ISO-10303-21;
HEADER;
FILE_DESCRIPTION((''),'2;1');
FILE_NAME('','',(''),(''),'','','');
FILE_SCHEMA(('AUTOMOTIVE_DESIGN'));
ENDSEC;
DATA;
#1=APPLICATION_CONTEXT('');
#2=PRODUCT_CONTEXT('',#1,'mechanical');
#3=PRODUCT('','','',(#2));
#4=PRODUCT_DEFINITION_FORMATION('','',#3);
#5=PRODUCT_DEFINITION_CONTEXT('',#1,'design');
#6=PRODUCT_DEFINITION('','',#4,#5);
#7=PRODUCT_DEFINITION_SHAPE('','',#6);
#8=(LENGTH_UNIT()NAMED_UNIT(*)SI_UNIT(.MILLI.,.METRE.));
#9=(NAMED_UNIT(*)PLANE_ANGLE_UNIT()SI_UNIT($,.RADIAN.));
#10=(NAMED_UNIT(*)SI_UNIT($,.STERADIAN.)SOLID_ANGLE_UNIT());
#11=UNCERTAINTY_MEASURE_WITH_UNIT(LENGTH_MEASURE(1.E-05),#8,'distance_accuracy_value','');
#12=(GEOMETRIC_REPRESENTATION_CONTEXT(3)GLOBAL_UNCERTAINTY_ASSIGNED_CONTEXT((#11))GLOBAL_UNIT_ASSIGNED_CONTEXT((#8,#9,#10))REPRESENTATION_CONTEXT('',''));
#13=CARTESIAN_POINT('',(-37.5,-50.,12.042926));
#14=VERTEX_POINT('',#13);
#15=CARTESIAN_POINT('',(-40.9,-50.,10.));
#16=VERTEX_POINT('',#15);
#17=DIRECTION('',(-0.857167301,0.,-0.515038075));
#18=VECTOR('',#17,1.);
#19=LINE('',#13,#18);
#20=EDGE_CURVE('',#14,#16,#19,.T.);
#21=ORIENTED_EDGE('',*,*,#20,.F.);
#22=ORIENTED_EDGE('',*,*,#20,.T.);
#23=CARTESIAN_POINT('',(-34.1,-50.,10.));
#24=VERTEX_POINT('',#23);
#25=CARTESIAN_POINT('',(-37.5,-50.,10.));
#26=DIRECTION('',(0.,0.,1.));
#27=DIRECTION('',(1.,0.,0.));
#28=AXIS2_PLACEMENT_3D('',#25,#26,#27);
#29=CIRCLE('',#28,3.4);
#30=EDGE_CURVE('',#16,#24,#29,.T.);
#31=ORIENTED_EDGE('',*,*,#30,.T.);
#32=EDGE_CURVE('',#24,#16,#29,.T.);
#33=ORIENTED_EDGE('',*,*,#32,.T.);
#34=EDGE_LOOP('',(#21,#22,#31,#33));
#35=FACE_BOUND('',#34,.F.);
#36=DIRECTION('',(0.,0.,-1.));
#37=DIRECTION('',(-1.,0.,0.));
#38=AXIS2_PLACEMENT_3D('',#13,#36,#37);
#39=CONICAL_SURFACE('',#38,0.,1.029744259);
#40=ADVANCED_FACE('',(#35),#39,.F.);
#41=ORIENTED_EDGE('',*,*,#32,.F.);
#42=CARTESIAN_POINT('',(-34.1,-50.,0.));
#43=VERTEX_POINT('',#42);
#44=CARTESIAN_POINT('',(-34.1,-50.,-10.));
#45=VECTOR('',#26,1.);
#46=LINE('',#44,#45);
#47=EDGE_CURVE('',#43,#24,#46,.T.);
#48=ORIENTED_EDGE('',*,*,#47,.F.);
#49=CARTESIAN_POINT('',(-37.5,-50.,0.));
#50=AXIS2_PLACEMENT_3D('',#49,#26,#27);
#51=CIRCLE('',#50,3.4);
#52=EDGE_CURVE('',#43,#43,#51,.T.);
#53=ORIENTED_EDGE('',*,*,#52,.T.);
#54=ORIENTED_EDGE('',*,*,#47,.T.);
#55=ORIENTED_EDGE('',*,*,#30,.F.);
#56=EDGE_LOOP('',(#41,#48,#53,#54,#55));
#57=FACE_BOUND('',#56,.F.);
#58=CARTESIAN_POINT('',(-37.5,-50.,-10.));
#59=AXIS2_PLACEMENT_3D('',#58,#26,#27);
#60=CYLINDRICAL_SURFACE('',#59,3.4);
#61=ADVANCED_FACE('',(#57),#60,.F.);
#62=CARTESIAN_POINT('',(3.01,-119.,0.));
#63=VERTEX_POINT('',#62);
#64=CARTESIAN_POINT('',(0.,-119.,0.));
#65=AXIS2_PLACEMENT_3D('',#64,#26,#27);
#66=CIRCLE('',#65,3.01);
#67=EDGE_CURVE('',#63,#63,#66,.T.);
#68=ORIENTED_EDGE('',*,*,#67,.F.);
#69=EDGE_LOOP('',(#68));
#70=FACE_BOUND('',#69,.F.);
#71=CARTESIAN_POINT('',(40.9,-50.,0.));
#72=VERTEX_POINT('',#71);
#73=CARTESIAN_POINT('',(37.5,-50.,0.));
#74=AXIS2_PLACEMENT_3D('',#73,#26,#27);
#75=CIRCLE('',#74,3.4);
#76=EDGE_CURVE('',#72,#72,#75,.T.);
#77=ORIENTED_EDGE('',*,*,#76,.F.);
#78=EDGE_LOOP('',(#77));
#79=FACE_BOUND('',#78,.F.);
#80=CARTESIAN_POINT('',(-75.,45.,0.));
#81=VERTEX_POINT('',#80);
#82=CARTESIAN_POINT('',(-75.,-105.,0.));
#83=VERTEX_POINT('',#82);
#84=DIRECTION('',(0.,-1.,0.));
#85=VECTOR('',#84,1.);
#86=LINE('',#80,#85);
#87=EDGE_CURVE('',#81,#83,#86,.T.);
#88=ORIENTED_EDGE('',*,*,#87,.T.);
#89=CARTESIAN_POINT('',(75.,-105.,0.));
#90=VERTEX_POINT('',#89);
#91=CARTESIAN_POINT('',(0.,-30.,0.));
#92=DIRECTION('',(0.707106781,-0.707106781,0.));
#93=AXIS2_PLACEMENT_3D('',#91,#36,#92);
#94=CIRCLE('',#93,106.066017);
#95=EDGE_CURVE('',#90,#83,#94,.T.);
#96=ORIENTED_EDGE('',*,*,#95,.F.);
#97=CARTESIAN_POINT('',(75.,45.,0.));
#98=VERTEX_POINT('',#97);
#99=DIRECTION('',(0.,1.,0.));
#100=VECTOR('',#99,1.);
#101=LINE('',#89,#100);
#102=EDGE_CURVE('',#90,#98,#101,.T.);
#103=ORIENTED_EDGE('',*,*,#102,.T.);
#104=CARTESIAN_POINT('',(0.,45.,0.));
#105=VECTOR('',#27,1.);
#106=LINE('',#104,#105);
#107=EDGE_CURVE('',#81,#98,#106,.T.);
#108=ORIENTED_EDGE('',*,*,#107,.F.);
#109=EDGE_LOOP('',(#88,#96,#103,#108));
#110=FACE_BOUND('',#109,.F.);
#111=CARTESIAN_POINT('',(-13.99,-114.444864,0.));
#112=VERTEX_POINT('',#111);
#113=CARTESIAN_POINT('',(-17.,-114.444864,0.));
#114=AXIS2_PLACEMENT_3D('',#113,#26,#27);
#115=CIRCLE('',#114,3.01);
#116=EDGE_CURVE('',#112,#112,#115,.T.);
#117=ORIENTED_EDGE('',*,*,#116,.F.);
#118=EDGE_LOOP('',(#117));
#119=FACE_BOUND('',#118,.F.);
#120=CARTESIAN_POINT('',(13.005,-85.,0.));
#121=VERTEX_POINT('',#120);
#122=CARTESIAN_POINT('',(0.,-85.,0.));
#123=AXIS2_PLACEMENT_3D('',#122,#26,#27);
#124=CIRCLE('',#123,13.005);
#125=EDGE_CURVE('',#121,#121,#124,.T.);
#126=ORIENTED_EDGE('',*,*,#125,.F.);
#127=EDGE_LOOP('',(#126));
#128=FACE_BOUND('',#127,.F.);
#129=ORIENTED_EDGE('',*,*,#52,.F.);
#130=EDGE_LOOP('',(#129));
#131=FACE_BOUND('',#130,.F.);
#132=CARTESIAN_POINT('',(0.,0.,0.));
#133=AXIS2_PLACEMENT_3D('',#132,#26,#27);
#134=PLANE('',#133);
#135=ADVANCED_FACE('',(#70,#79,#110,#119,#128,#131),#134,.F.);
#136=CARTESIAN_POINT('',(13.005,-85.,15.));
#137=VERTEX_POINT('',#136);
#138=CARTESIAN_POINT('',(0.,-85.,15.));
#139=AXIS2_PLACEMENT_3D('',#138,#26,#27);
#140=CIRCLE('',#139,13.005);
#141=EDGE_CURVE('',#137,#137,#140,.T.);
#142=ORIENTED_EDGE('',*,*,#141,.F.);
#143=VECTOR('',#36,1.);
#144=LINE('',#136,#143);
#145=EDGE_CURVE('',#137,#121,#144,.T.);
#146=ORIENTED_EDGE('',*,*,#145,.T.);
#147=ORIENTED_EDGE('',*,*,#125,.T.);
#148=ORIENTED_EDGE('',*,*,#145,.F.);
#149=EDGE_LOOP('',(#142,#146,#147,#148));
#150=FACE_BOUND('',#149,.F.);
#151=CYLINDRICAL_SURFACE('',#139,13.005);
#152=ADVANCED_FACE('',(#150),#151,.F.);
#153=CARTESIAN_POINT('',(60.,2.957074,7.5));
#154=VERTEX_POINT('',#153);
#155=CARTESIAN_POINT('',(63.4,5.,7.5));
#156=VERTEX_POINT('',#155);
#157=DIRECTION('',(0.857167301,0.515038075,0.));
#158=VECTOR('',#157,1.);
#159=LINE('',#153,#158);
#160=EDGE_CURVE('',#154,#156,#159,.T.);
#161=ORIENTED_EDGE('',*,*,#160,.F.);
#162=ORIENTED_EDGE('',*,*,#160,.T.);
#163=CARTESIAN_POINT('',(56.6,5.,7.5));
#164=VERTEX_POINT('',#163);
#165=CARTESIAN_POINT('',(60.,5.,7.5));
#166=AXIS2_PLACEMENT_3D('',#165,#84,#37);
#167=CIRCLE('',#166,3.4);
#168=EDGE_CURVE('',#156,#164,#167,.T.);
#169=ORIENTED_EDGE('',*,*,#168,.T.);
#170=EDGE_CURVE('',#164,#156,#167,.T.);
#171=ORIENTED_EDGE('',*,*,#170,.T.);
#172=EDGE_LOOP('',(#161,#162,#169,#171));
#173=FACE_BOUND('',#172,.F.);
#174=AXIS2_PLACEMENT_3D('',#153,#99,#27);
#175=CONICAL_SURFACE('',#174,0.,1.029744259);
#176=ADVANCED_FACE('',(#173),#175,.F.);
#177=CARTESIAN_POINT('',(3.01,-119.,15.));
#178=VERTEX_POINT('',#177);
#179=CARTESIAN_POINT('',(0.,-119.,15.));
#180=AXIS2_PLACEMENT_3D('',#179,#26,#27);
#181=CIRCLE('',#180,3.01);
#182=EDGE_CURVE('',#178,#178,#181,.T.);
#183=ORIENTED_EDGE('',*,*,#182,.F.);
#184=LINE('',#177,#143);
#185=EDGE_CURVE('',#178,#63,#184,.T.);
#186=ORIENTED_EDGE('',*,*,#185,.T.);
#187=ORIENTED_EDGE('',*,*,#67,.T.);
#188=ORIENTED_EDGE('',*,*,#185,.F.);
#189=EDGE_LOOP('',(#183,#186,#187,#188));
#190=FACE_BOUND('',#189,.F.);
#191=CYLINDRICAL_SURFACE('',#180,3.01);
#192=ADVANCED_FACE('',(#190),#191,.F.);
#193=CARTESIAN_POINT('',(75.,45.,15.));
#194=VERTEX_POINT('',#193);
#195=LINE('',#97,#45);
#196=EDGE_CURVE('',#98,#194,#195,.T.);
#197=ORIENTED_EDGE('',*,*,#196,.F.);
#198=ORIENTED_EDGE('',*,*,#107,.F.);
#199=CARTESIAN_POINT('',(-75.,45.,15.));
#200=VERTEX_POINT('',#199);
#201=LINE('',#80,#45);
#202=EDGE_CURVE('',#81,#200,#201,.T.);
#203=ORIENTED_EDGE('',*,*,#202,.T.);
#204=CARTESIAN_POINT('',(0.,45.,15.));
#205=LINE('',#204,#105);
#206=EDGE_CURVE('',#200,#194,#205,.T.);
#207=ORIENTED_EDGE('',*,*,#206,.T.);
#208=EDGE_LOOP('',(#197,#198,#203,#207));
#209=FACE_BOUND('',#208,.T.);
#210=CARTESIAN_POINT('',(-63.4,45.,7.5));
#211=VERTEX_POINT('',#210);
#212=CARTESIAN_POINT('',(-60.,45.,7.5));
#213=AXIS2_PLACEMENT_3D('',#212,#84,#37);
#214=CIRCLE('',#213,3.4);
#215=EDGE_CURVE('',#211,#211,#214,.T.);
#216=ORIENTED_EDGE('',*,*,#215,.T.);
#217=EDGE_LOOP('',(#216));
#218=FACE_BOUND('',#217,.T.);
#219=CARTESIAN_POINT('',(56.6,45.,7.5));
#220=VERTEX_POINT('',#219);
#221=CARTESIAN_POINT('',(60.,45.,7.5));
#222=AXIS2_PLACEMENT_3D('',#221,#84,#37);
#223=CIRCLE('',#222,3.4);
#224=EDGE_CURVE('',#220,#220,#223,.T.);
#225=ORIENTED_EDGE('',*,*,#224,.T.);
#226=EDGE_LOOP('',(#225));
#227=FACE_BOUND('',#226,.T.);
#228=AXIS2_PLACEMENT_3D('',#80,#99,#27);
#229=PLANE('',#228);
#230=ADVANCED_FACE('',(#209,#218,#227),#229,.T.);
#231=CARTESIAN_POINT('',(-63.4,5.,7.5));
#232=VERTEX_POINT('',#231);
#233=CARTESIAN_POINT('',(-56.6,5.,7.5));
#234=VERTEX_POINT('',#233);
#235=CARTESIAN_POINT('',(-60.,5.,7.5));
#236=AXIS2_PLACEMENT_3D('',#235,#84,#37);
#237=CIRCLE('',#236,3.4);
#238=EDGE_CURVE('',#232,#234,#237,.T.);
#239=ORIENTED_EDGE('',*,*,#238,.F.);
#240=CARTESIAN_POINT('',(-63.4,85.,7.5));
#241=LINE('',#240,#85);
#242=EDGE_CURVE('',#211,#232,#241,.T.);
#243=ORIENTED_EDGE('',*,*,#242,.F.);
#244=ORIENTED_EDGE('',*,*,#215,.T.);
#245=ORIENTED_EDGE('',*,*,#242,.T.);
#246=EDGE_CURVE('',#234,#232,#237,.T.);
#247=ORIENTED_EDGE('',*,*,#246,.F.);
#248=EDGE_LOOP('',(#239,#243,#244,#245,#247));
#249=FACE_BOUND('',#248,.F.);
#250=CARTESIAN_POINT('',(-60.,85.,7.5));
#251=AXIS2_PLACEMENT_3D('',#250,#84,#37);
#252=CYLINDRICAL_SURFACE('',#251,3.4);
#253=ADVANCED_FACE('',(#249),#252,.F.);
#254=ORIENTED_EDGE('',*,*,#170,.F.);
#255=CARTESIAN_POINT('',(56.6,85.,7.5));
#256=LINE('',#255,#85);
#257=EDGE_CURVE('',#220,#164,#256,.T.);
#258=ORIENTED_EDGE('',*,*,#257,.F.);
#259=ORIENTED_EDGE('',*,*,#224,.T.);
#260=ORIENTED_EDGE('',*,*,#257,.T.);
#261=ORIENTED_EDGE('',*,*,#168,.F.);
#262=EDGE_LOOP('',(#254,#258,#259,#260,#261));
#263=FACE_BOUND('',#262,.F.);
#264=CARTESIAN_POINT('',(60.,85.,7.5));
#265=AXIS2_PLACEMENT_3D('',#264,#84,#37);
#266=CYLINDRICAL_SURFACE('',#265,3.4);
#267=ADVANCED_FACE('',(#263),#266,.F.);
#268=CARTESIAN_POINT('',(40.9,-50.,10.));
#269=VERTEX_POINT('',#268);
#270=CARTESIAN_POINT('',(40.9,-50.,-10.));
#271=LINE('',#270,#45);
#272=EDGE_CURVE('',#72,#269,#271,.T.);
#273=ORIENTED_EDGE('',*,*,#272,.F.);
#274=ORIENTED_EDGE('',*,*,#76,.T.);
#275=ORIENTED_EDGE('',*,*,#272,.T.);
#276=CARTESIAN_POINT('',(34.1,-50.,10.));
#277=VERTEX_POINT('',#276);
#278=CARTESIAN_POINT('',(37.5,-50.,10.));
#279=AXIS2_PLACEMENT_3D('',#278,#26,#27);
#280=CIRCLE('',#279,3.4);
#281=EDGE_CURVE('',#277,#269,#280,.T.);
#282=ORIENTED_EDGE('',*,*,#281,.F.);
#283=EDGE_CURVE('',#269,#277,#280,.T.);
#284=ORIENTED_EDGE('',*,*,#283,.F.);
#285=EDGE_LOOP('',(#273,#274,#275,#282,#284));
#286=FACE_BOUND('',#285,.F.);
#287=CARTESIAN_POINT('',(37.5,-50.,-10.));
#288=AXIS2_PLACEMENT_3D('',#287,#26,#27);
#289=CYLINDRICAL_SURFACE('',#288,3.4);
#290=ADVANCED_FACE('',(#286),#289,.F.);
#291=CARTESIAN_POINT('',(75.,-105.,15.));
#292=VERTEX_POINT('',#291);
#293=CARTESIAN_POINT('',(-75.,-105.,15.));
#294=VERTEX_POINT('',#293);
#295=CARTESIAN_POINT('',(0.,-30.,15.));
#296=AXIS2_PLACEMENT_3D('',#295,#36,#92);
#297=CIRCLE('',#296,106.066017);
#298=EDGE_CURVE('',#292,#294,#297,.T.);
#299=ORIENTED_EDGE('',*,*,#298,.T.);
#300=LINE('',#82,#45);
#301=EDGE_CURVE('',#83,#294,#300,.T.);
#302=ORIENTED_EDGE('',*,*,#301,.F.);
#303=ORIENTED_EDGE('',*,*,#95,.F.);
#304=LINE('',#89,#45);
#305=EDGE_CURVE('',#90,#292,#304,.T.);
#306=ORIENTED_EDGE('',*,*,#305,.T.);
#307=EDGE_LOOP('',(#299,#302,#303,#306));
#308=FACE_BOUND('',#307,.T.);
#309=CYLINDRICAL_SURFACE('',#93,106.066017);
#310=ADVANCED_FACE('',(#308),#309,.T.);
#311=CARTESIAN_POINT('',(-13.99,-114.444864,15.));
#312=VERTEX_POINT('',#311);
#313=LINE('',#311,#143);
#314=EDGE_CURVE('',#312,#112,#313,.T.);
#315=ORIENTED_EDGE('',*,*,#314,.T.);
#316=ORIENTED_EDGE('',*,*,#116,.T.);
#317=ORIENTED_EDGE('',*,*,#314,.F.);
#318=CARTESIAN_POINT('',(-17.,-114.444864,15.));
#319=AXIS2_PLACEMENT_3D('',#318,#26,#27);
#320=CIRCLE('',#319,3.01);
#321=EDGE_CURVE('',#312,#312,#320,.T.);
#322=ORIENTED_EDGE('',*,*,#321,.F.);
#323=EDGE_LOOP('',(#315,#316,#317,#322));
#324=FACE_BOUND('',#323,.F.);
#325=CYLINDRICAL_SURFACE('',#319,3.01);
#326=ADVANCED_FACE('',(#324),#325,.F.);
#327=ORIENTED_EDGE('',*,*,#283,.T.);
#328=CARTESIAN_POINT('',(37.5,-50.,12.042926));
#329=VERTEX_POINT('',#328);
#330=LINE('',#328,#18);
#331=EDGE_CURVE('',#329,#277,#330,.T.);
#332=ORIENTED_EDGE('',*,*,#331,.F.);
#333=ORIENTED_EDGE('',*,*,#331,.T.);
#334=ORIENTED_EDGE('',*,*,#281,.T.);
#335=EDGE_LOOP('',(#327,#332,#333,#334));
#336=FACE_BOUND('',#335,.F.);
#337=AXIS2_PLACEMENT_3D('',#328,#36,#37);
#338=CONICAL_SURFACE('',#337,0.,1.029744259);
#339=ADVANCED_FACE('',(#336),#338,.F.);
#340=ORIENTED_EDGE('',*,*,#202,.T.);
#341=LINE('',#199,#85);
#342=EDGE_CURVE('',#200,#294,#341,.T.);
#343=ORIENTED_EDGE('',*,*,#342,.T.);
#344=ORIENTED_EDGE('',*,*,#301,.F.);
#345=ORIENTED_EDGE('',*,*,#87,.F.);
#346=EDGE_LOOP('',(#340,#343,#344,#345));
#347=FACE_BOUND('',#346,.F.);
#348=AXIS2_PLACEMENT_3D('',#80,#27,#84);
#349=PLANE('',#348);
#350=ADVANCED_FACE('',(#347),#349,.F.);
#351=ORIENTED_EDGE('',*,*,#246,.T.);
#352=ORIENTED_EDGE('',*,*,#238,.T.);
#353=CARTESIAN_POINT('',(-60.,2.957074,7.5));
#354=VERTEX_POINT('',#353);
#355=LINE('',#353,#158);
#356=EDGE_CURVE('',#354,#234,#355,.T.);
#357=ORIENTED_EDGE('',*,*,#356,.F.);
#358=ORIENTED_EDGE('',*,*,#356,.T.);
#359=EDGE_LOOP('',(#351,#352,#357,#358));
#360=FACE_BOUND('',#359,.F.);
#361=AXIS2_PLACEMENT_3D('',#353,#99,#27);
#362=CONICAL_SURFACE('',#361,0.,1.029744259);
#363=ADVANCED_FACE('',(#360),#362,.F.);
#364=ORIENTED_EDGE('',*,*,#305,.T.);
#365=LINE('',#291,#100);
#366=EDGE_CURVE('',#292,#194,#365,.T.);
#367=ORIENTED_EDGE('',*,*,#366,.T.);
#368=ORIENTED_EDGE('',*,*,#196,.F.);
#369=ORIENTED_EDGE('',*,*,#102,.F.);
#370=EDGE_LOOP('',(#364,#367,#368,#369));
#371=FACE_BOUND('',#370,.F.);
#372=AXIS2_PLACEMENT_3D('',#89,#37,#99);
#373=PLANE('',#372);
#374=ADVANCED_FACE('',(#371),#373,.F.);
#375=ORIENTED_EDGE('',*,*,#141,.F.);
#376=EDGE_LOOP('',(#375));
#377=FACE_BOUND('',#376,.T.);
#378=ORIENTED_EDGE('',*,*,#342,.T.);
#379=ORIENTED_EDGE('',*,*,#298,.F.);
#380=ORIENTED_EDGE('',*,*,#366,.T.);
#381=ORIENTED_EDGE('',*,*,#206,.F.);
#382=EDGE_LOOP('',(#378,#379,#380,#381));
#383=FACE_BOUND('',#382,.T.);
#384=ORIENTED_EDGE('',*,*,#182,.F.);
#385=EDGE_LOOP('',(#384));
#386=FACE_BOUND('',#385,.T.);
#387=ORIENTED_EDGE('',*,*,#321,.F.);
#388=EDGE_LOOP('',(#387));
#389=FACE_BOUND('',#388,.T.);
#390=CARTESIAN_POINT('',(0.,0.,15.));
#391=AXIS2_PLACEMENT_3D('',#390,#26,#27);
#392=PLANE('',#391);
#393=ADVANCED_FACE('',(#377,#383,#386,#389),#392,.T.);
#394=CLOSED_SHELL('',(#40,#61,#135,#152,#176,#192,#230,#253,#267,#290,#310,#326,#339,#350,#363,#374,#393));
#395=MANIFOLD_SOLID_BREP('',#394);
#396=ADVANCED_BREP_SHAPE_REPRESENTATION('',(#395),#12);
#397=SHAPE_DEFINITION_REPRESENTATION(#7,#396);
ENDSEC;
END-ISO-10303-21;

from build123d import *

# Parameters (mm, degrees)
SKETCH2_W                        = 150
SKETCH2_H                        = 90
SKETCH2_H_2                      = 60
BOSS_EXTRUDE1_DEPTH              = 15
SKETCH3_R                        = 13.005
SKETCH3_R_2                      = 3.01
CUT_EXTRUDE1_DEPTH               = 16
TAP_DRILL_FOR_M8X1_25_TAP1_D     = 6.8
TAP_DRILL_FOR_M8X1_25_TAP1_DEPTH = 10
TAP_DRILL_FOR_M8X1_25_TAP1_TIP   = 2.042926105
TAP_DRILL_FOR_M8X1_25_TAP2_D     = 6.8
TAP_DRILL_FOR_M8X1_25_TAP2_DEPTH = 40
TAP_DRILL_FOR_M8X1_25_TAP2_TIP   = 2.042926105


with BuildPart() as part:
    # Sketch2 → Boss-Extrude1 (new body)
    with BuildSketch(Plane.XY):
        Rectangle(SKETCH2_W, SKETCH2_H)
        with Locations((0, -75)):
            Rectangle(SKETCH2_W, SKETCH2_H_2)
        with BuildLine():
            Line((-75, -105), (75, -105))
            ThreePointArc((75, -105), (0, -136.066017178), (-75, -105))
        make_face()
    extrude(amount=BOSS_EXTRUDE1_DEPTH)

    # Sketch3 → Cut-Extrude1 (cut, through all)
    with BuildSketch(Plane.XY.offset(15)):
        with Locations((0, -85)):
            Circle(SKETCH3_R)
        with Locations((-17, -114.444863729)):
            Circle(SKETCH3_R_2)
        with Locations((0, -119)):
            Circle(SKETCH3_R_2)
    extrude(amount=-CUT_EXTRUDE1_DEPTH, mode=Mode.SUBTRACT)

    # Tap Drill for M8x1.25 Tap1
    with Locations(Plane(origin=(0, 0, 0), x_dir=(-1, 0, 0), z_dir=(0, 0, -1))):
        with Locations((-37.5, -50), (37.5, -50)):
            Hole(TAP_DRILL_FOR_M8X1_25_TAP1_D / 2, depth=TAP_DRILL_FOR_M8X1_25_TAP1_DEPTH)
            with Locations((0, 0, -(TAP_DRILL_FOR_M8X1_25_TAP1_DEPTH + TAP_DRILL_FOR_M8X1_25_TAP1_TIP / 2))):  # 118° drill point
                Cone(0, TAP_DRILL_FOR_M8X1_25_TAP1_D / 2, TAP_DRILL_FOR_M8X1_25_TAP1_TIP, mode=Mode.SUBTRACT)

    # Tap Drill for M8x1.25 Tap2
    with Locations(Plane(origin=(0, 45, 0), x_dir=(1, 0, 0), z_dir=(0, 1, 0))):
        with Locations((-60, -7.5), (60, -7.5)):
            Hole(TAP_DRILL_FOR_M8X1_25_TAP2_D / 2, depth=TAP_DRILL_FOR_M8X1_25_TAP2_DEPTH)
            with Locations((0, 0, -(TAP_DRILL_FOR_M8X1_25_TAP2_DEPTH + TAP_DRILL_FOR_M8X1_25_TAP2_TIP / 2))):  # 118° drill point
                Cone(0, TAP_DRILL_FOR_M8X1_25_TAP2_D / 2, TAP_DRILL_FOR_M8X1_25_TAP2_TIP, mode=Mode.SUBTRACT)


solid = part.part
